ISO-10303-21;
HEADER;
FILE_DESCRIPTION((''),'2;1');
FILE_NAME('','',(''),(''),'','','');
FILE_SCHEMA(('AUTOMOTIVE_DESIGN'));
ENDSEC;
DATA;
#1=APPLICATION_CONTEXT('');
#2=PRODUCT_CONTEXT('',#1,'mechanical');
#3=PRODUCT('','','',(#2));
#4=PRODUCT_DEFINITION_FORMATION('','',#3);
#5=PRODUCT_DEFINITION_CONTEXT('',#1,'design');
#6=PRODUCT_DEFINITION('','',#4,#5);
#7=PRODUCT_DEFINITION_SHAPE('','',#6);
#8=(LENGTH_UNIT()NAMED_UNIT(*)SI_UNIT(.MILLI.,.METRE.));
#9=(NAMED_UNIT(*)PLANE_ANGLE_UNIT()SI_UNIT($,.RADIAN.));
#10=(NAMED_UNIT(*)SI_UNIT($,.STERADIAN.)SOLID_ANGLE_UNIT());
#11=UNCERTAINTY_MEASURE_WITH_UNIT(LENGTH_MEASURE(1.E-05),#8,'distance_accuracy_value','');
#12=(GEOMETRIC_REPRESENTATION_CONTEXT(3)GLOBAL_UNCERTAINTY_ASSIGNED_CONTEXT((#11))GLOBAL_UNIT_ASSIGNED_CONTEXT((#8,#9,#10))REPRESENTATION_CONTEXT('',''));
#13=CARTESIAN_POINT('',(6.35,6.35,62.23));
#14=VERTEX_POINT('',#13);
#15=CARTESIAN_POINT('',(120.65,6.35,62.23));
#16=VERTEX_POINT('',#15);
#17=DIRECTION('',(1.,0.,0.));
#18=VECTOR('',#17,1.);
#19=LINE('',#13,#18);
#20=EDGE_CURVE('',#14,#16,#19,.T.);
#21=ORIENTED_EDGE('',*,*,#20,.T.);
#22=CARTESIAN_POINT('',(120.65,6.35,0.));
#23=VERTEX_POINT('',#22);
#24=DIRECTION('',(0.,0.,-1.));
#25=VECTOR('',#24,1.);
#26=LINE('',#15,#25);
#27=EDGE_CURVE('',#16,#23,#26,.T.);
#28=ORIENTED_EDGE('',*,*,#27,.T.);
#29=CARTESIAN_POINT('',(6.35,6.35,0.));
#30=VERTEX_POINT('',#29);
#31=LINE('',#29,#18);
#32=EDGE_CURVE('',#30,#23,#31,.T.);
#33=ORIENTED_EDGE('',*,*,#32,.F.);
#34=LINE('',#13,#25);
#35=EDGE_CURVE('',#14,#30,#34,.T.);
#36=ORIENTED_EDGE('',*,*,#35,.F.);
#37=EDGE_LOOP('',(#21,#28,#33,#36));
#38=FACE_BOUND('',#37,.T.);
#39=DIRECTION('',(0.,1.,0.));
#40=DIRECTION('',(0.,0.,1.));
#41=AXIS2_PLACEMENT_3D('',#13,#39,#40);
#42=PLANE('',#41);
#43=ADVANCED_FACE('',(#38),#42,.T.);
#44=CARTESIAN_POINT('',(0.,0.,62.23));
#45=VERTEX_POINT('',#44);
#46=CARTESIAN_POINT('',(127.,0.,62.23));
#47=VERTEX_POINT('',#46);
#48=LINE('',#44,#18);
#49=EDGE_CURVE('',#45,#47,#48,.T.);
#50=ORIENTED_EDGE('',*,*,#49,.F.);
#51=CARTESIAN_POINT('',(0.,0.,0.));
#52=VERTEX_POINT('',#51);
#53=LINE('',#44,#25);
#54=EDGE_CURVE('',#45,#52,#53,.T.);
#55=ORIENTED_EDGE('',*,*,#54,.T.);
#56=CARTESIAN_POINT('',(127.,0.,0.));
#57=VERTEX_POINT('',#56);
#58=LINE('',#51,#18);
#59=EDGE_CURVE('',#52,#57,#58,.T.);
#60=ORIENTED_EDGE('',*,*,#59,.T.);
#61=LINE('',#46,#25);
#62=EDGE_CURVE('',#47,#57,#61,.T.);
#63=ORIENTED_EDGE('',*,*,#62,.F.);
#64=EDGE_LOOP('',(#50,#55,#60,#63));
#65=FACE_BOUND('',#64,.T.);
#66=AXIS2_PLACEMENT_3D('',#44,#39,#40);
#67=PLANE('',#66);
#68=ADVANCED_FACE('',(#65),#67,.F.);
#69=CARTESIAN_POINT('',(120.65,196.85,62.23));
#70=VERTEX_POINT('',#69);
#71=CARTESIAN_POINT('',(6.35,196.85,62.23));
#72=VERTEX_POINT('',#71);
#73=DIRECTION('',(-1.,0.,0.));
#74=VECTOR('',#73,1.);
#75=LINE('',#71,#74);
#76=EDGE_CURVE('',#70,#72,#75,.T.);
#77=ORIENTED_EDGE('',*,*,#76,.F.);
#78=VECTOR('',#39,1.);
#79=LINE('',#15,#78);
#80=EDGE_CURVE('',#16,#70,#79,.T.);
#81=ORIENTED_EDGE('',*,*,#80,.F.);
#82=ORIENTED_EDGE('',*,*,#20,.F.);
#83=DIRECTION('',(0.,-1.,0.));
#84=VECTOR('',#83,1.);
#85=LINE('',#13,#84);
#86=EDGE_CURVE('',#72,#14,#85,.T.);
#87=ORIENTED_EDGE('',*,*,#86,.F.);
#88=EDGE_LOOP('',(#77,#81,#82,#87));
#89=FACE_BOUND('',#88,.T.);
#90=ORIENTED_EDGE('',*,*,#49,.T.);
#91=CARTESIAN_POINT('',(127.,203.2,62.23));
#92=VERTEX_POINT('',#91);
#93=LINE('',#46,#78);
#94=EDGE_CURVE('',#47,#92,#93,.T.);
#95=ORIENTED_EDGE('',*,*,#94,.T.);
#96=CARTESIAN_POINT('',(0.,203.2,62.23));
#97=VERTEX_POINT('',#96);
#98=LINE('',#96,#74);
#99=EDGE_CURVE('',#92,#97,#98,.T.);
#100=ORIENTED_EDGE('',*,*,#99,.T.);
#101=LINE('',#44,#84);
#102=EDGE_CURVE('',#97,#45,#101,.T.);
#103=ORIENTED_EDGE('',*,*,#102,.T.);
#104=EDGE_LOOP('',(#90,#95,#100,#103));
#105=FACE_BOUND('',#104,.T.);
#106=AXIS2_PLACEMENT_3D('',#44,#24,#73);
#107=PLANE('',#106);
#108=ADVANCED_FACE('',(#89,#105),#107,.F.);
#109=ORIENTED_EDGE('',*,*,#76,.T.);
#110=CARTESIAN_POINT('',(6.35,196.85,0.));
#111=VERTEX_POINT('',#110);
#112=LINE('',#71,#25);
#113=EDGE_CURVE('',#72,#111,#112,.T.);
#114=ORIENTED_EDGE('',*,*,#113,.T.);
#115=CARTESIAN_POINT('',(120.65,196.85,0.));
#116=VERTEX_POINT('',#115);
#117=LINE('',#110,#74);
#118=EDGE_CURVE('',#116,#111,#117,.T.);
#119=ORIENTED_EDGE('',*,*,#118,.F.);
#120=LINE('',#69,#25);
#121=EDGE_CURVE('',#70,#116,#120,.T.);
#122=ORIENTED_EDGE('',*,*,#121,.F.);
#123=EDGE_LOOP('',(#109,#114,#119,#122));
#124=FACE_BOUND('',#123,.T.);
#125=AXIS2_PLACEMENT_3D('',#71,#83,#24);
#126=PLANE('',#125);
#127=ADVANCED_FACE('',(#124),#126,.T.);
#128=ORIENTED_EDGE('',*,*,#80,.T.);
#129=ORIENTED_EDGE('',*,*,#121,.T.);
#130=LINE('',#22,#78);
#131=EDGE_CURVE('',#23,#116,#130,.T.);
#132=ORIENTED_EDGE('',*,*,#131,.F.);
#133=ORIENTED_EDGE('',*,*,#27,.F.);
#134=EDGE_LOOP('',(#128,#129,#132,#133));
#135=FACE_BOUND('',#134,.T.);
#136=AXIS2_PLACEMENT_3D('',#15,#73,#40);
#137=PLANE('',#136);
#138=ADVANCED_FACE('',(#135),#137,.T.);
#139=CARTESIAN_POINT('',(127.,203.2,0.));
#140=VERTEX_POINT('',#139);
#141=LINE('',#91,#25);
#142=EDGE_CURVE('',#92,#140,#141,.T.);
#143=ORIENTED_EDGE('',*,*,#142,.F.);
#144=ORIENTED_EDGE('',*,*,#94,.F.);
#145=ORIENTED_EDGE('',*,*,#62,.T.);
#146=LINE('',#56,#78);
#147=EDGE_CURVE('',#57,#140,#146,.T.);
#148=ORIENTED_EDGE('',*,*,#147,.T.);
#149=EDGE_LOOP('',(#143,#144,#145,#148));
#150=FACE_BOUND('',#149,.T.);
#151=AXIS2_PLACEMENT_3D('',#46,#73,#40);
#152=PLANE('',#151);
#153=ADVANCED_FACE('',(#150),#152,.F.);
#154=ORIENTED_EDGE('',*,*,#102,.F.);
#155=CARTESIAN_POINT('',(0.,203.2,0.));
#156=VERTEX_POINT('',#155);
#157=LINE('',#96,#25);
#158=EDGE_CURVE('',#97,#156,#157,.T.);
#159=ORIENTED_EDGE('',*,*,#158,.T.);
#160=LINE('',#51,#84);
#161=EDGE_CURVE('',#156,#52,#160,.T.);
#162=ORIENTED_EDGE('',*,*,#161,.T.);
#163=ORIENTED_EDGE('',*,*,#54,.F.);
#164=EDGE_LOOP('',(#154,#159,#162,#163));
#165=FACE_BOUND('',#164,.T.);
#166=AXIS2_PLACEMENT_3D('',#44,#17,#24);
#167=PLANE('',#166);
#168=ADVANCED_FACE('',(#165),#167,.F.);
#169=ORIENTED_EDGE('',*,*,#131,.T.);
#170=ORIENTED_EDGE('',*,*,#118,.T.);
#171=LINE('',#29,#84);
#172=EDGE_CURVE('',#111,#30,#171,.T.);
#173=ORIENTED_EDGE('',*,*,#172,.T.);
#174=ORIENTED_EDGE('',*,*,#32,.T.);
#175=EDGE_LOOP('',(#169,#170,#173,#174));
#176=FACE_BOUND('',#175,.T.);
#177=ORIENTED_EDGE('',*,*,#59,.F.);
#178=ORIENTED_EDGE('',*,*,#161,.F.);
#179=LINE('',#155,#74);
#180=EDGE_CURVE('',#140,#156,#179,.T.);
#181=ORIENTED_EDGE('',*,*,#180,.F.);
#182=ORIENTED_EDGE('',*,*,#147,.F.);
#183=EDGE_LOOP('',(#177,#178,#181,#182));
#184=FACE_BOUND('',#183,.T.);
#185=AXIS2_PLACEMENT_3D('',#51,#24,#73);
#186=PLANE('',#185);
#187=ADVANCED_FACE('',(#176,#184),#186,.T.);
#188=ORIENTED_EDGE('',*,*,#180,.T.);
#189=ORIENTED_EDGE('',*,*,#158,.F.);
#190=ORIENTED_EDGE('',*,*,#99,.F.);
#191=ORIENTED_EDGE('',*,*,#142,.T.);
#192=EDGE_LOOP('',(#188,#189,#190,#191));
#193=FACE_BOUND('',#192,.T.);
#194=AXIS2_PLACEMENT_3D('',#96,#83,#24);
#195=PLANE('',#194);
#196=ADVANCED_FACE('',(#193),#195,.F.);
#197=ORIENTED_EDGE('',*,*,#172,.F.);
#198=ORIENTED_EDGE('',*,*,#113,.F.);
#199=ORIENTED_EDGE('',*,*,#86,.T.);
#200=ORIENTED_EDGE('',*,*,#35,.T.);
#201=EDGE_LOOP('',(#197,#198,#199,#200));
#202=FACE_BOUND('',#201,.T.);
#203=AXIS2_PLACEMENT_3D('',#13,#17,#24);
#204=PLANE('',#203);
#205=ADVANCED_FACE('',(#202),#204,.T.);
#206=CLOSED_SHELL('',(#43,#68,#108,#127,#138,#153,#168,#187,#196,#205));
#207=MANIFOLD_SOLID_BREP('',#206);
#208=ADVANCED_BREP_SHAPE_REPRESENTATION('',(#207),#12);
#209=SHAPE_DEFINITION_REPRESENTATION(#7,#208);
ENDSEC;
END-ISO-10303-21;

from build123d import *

# Parameters (mm, degrees)
SKETCH1_W           = 127
SKETCH1_H           = 203.2
SKETCH1_W_2         = 114.3
SKETCH1_H_2         = 190.5
BOSS_EXTRUDE1_DEPTH = 62.23


with BuildPart() as part:
    # Sketch1 → Boss-Extrude1 (new body)
    with BuildSketch(Plane.XY):
        with Locations((63.5, 101.6)):
            Rectangle(SKETCH1_W, SKETCH1_H)
        with Locations((63.5, 101.6)):
            Rectangle(SKETCH1_W_2, SKETCH1_H_2, mode=Mode.SUBTRACT)
    extrude(amount=BOSS_EXTRUDE1_DEPTH)


solid = part.part
